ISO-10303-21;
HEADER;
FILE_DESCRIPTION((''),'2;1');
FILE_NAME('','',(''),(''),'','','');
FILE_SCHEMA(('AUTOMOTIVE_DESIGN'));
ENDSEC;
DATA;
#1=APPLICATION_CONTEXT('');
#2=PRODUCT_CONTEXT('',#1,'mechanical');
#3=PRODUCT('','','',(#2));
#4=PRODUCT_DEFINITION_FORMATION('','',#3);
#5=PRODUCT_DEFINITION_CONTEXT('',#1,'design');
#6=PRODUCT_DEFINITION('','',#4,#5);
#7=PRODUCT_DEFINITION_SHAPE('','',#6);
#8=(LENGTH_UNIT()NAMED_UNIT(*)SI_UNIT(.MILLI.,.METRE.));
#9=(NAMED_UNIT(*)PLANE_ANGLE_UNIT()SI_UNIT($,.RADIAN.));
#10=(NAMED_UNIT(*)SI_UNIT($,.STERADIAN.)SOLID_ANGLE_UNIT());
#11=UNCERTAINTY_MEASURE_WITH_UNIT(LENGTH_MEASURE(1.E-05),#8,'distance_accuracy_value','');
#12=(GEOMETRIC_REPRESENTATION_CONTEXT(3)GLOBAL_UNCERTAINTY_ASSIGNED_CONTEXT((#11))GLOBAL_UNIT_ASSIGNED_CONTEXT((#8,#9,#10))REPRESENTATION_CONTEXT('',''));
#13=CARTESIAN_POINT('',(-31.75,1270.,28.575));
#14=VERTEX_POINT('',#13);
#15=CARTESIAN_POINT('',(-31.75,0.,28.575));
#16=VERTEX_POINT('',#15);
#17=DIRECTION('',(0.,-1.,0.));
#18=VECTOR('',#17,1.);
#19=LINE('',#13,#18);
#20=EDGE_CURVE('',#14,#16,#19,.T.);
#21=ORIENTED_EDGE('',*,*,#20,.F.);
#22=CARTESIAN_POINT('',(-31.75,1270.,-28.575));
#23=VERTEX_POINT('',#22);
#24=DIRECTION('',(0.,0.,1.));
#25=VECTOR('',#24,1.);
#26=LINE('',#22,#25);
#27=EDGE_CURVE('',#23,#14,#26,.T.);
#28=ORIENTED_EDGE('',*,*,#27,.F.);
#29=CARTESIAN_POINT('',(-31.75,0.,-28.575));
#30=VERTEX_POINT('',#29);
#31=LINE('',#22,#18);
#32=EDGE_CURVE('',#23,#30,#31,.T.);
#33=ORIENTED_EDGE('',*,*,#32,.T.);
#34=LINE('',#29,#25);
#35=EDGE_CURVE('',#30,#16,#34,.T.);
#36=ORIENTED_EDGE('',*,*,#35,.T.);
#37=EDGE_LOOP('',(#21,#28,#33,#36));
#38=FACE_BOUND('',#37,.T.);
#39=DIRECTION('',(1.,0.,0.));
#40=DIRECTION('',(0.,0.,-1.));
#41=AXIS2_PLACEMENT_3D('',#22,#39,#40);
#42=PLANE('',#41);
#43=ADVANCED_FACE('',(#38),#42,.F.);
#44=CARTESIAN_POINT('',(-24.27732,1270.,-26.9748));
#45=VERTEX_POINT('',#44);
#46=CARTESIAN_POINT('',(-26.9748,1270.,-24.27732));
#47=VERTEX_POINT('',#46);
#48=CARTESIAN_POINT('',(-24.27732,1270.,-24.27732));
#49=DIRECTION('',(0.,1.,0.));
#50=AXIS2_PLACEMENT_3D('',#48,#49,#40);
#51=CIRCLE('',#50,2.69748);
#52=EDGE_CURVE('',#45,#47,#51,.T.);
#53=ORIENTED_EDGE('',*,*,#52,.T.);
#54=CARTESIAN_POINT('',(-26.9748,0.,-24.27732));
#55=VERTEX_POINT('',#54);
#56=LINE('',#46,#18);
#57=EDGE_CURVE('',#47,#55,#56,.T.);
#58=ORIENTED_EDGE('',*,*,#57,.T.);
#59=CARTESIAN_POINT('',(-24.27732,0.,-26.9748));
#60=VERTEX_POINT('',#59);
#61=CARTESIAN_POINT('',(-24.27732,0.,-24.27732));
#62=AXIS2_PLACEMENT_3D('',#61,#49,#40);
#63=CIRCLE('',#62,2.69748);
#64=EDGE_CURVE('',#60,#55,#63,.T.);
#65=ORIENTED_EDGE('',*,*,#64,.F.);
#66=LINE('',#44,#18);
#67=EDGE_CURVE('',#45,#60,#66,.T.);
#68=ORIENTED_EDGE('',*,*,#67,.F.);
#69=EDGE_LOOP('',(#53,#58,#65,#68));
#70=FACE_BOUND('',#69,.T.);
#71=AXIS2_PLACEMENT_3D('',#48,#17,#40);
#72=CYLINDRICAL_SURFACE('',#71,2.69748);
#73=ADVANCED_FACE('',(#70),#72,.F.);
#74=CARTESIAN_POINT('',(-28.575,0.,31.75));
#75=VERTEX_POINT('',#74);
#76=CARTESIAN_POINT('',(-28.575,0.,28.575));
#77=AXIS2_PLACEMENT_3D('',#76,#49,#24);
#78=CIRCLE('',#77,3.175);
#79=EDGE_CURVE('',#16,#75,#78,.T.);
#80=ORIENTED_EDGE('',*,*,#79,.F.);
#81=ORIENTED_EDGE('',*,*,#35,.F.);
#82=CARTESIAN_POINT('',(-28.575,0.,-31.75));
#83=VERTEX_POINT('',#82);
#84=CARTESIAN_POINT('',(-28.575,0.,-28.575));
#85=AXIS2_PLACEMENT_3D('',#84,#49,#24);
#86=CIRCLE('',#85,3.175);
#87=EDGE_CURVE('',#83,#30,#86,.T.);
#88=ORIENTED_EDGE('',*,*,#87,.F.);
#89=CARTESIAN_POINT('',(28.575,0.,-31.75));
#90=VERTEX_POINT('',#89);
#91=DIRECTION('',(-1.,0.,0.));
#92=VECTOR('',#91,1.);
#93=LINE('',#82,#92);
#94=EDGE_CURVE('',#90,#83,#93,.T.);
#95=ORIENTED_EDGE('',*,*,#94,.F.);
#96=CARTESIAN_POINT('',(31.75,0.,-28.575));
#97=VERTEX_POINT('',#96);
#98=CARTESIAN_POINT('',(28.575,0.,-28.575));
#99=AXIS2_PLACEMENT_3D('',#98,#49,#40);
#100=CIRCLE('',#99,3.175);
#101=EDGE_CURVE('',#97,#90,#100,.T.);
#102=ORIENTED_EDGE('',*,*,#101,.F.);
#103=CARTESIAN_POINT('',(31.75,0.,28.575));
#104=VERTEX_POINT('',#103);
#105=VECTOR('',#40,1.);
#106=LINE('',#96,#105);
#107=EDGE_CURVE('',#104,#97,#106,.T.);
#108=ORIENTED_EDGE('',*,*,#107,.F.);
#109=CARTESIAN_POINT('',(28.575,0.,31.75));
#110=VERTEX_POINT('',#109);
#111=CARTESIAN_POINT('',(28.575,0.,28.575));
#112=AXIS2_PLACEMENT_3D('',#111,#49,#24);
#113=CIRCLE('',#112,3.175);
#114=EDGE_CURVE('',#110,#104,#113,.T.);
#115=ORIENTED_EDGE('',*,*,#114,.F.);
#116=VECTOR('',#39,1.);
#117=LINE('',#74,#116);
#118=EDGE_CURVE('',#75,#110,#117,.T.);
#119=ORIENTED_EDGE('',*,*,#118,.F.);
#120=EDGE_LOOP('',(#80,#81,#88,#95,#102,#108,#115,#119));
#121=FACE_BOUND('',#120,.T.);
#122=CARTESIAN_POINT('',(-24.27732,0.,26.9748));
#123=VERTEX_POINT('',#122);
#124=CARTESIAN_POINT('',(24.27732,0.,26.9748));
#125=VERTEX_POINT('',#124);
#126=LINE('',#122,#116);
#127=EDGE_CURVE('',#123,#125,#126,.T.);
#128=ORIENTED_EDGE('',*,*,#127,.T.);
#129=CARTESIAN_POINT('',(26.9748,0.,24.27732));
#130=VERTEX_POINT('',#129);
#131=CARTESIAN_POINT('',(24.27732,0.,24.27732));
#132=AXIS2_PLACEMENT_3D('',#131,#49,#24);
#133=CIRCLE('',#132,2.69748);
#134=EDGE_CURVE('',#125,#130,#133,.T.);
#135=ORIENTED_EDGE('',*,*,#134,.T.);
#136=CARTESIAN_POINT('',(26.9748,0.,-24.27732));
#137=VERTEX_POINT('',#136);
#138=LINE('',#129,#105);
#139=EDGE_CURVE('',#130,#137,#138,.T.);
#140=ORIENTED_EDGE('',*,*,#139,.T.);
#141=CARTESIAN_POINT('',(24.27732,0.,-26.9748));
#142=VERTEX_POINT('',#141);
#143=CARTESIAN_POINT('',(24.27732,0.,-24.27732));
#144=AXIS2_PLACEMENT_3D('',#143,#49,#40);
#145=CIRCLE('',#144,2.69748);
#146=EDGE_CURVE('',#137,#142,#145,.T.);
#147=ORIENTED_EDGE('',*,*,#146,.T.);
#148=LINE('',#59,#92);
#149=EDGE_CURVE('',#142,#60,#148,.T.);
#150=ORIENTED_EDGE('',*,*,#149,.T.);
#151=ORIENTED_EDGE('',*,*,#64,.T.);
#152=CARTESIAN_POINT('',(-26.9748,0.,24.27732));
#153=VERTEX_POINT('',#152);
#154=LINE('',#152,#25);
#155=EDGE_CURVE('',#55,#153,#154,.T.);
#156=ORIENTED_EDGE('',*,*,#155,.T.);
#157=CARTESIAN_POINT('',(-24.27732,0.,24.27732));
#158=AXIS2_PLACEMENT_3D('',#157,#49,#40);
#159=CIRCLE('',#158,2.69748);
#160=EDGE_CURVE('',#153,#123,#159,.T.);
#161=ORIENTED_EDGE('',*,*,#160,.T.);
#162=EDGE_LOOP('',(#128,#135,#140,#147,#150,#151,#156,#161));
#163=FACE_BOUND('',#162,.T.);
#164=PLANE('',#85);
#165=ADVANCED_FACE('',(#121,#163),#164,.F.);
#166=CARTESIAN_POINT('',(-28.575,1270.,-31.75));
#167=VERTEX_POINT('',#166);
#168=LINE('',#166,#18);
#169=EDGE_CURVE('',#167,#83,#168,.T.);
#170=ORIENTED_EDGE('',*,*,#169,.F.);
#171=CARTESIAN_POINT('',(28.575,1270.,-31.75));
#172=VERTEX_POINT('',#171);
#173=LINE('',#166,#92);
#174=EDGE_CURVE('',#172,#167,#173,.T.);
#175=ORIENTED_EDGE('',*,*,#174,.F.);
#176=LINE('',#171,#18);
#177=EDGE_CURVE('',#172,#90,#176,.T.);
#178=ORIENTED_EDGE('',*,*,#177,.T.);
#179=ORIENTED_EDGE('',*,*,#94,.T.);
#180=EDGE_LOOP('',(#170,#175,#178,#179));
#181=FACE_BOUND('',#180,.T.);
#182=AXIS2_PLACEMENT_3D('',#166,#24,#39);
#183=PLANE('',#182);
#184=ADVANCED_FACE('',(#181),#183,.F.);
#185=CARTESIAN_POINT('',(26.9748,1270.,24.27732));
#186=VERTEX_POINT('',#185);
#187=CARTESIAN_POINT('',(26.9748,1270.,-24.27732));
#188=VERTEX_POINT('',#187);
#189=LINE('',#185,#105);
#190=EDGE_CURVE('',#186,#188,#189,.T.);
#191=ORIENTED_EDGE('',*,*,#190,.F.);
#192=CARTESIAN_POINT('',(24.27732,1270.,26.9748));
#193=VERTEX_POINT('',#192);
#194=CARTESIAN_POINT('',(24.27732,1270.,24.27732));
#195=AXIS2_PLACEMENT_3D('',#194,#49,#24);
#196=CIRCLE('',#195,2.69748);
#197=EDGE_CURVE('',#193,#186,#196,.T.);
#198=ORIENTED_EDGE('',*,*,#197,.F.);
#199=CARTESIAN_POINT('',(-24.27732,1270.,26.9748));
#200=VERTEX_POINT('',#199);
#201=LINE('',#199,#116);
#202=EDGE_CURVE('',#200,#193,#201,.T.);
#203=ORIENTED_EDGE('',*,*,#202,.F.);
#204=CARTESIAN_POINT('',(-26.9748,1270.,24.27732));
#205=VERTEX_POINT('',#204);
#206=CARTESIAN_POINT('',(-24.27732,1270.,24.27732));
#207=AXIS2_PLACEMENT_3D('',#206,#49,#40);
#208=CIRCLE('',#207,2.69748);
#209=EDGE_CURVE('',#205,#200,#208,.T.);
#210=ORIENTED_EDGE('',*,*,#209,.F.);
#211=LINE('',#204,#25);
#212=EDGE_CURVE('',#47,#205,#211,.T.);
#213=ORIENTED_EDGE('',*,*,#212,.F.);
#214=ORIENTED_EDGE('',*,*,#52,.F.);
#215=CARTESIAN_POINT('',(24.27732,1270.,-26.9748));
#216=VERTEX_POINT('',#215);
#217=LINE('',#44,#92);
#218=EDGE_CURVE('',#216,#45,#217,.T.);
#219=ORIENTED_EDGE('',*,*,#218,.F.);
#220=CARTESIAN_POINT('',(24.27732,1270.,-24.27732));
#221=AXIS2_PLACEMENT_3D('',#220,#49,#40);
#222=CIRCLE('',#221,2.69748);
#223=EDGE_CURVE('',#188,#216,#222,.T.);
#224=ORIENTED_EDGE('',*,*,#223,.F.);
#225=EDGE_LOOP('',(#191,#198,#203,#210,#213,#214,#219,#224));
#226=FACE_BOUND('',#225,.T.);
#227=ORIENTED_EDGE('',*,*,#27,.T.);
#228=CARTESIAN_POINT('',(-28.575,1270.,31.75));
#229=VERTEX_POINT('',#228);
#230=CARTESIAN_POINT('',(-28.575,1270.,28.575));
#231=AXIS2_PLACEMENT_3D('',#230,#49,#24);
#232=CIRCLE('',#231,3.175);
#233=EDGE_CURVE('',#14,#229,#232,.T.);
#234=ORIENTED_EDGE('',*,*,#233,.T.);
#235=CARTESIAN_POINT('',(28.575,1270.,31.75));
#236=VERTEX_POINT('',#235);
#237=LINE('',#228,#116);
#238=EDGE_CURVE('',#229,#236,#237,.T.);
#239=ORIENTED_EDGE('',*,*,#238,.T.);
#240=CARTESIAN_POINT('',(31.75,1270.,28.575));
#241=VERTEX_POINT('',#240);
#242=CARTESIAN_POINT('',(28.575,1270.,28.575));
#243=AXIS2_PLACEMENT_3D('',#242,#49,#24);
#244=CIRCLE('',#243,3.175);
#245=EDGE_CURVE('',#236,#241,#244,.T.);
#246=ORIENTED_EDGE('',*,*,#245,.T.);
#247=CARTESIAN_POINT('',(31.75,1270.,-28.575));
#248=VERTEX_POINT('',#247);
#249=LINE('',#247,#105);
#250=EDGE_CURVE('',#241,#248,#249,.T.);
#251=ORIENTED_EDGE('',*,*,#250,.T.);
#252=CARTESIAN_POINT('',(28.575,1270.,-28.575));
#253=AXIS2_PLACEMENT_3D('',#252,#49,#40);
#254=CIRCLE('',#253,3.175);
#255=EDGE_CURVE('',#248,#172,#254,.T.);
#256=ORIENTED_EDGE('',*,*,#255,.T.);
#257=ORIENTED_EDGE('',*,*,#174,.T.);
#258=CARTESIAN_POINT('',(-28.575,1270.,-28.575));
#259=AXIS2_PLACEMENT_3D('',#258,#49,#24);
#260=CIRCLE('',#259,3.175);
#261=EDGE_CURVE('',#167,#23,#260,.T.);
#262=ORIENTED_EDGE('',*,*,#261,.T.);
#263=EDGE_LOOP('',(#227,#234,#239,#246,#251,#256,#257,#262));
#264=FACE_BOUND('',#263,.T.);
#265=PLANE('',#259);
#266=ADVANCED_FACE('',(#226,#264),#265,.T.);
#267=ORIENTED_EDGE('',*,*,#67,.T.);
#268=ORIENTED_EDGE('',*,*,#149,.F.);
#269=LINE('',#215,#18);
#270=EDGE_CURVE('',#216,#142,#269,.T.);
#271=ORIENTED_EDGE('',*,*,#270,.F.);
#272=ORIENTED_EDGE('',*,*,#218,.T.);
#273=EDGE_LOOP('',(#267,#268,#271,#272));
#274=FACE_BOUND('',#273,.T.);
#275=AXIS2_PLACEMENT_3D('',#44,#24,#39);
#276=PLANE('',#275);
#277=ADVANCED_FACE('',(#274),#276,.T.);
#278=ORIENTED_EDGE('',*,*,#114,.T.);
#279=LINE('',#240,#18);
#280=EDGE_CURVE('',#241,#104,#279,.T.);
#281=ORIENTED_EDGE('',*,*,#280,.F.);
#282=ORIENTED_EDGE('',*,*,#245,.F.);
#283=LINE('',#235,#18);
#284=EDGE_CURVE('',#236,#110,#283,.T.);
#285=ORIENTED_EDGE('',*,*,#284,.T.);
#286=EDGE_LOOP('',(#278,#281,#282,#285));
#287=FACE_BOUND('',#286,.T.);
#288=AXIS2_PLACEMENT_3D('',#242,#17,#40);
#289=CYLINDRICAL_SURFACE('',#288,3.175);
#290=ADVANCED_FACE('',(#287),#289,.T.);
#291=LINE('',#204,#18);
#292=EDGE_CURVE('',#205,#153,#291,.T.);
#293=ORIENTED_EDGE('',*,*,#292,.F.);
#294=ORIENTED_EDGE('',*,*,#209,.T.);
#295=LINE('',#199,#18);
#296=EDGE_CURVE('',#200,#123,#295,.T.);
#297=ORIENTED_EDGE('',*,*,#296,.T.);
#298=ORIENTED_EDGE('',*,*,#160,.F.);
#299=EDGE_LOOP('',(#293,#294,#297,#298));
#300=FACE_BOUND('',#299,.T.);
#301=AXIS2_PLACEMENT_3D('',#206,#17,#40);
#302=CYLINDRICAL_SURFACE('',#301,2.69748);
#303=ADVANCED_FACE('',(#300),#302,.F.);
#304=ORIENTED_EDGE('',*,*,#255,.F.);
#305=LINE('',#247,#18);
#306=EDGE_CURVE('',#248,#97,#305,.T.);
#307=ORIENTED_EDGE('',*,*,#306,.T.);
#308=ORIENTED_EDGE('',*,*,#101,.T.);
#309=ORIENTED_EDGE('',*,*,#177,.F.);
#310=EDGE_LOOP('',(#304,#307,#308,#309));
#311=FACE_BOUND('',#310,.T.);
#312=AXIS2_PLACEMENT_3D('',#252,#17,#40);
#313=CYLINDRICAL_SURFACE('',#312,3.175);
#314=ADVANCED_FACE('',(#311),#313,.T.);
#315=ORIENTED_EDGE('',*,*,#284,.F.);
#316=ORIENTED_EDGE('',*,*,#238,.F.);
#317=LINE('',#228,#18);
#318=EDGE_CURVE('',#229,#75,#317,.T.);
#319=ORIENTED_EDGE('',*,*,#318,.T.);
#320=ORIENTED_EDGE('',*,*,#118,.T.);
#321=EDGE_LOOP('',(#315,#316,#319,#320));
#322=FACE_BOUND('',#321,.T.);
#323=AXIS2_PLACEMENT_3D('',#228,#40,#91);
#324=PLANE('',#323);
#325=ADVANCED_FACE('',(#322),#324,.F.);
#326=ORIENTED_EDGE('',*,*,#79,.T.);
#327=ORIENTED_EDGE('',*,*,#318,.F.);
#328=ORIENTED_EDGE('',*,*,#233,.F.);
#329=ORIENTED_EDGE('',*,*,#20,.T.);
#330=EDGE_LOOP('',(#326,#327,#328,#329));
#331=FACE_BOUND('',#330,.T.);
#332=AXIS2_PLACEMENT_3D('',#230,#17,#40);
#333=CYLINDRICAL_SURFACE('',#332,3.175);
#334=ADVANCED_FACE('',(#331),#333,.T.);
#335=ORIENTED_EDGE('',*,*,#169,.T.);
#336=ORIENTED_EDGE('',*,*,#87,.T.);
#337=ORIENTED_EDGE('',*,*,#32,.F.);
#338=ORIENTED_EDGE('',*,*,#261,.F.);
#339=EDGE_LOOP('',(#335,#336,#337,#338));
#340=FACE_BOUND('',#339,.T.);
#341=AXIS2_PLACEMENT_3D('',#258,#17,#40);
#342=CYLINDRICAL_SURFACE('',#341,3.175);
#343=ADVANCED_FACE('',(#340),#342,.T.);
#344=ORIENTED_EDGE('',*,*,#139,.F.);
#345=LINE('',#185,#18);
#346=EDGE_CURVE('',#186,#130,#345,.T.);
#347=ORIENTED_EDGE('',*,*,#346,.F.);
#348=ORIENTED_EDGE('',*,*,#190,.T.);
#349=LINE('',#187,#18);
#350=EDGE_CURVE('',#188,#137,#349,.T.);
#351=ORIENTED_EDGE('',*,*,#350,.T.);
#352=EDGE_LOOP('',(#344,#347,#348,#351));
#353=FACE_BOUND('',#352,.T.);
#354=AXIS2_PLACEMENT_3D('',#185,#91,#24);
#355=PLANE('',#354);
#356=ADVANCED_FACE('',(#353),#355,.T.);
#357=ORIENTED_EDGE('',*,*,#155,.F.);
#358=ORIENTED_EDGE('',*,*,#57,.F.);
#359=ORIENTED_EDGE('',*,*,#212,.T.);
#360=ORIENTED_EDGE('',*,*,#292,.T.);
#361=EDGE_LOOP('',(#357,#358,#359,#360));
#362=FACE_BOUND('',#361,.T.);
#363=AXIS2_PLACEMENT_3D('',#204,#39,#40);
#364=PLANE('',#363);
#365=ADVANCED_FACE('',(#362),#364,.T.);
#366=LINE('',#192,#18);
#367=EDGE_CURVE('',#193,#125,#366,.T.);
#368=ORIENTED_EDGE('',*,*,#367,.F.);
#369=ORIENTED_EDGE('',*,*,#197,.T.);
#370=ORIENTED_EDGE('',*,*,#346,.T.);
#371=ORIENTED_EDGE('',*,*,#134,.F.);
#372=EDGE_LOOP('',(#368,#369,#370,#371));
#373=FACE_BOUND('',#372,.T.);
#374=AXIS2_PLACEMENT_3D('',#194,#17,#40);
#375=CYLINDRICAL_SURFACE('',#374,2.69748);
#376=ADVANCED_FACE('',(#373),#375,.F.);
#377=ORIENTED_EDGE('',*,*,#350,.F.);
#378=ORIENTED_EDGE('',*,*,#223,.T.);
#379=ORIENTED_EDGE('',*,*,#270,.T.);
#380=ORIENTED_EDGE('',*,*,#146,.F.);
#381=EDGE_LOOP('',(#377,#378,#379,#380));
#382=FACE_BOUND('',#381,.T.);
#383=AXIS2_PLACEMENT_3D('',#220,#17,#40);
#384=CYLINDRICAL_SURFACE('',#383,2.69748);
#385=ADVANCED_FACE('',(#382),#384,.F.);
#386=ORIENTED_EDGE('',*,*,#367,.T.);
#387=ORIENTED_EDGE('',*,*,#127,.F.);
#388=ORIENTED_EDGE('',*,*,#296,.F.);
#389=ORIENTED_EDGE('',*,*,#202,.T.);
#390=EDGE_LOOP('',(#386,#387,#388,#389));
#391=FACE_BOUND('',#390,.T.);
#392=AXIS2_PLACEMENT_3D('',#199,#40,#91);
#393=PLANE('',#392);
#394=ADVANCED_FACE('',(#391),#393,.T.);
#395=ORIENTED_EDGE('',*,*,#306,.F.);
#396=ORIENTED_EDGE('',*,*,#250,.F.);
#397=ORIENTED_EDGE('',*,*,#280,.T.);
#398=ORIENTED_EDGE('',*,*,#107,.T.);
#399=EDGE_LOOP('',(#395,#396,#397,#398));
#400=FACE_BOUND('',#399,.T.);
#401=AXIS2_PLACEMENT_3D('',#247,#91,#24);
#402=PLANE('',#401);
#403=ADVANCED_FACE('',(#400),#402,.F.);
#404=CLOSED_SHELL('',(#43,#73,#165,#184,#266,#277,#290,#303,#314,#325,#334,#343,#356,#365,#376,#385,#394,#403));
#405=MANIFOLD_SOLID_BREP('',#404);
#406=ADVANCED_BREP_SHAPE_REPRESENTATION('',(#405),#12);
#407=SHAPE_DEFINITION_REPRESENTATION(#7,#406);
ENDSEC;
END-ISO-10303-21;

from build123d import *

# Parameters (mm, degrees)
SQUARE_TUBE_2_5X2_5X_188_A500_1_DEPTH = 1270


with BuildPart() as part:
    # Sketch11 → Square tube 2.5X2.5X.188 A500(1) (new body)
    with BuildSketch(Plane(origin=(0, 0, 0), x_dir=(-1, 0, 0), z_dir=(0, 1, 0))):
        with BuildLine():
            Line((28.575, -31.75), (-28.575, -31.75))
            ThreePointArc((-28.575, -31.75), (-30.82006403, -30.82006403), (-31.75, -28.575))
            Line((-31.75, -28.575), (-31.75, 28.575))
            ThreePointArc((-31.75, 28.575), (-30.82006403, 30.82006403), (-28.575, 31.75))
            Line((-28.575, 31.75), (28.575, 31.75))
            ThreePointArc((28.575, 31.75), (30.82006403, 30.82006403), (31.75, 28.575))
            Line((31.75, 28.575), (31.75, -28.575))
            ThreePointArc((31.75, -28.575), (30.82006403, -30.82006403), (28.575, -31.75))
        make_face()
        with BuildLine():
            Line((24.27732, 26.9748), (-24.27732, 26.9748))
            ThreePointArc((-24.27732, 26.9748), (-26.1847264, 26.1847264), (-26.9748, 24.27732))
            Line((-26.9748, 24.27732), (-26.9748, -24.27732))
            ThreePointArc((-26.9748, -24.27732), (-26.1847264, -26.1847264), (-24.27732, -26.9748))
            Line((-24.27732, -26.9748), (24.27732, -26.9748))
            ThreePointArc((24.27732, -26.9748), (26.1847264, -26.1847264), (26.9748, -24.27732))
            Line((26.9748, -24.27732), (26.9748, 24.27732))
            ThreePointArc((26.9748, 24.27732), (26.1847264, 26.1847264), (24.27732, 26.9748))
        make_face(mode=Mode.SUBTRACT)
    extrude(amount=SQUARE_TUBE_2_5X2_5X_188_A500_1_DEPTH)


solid = part.part
